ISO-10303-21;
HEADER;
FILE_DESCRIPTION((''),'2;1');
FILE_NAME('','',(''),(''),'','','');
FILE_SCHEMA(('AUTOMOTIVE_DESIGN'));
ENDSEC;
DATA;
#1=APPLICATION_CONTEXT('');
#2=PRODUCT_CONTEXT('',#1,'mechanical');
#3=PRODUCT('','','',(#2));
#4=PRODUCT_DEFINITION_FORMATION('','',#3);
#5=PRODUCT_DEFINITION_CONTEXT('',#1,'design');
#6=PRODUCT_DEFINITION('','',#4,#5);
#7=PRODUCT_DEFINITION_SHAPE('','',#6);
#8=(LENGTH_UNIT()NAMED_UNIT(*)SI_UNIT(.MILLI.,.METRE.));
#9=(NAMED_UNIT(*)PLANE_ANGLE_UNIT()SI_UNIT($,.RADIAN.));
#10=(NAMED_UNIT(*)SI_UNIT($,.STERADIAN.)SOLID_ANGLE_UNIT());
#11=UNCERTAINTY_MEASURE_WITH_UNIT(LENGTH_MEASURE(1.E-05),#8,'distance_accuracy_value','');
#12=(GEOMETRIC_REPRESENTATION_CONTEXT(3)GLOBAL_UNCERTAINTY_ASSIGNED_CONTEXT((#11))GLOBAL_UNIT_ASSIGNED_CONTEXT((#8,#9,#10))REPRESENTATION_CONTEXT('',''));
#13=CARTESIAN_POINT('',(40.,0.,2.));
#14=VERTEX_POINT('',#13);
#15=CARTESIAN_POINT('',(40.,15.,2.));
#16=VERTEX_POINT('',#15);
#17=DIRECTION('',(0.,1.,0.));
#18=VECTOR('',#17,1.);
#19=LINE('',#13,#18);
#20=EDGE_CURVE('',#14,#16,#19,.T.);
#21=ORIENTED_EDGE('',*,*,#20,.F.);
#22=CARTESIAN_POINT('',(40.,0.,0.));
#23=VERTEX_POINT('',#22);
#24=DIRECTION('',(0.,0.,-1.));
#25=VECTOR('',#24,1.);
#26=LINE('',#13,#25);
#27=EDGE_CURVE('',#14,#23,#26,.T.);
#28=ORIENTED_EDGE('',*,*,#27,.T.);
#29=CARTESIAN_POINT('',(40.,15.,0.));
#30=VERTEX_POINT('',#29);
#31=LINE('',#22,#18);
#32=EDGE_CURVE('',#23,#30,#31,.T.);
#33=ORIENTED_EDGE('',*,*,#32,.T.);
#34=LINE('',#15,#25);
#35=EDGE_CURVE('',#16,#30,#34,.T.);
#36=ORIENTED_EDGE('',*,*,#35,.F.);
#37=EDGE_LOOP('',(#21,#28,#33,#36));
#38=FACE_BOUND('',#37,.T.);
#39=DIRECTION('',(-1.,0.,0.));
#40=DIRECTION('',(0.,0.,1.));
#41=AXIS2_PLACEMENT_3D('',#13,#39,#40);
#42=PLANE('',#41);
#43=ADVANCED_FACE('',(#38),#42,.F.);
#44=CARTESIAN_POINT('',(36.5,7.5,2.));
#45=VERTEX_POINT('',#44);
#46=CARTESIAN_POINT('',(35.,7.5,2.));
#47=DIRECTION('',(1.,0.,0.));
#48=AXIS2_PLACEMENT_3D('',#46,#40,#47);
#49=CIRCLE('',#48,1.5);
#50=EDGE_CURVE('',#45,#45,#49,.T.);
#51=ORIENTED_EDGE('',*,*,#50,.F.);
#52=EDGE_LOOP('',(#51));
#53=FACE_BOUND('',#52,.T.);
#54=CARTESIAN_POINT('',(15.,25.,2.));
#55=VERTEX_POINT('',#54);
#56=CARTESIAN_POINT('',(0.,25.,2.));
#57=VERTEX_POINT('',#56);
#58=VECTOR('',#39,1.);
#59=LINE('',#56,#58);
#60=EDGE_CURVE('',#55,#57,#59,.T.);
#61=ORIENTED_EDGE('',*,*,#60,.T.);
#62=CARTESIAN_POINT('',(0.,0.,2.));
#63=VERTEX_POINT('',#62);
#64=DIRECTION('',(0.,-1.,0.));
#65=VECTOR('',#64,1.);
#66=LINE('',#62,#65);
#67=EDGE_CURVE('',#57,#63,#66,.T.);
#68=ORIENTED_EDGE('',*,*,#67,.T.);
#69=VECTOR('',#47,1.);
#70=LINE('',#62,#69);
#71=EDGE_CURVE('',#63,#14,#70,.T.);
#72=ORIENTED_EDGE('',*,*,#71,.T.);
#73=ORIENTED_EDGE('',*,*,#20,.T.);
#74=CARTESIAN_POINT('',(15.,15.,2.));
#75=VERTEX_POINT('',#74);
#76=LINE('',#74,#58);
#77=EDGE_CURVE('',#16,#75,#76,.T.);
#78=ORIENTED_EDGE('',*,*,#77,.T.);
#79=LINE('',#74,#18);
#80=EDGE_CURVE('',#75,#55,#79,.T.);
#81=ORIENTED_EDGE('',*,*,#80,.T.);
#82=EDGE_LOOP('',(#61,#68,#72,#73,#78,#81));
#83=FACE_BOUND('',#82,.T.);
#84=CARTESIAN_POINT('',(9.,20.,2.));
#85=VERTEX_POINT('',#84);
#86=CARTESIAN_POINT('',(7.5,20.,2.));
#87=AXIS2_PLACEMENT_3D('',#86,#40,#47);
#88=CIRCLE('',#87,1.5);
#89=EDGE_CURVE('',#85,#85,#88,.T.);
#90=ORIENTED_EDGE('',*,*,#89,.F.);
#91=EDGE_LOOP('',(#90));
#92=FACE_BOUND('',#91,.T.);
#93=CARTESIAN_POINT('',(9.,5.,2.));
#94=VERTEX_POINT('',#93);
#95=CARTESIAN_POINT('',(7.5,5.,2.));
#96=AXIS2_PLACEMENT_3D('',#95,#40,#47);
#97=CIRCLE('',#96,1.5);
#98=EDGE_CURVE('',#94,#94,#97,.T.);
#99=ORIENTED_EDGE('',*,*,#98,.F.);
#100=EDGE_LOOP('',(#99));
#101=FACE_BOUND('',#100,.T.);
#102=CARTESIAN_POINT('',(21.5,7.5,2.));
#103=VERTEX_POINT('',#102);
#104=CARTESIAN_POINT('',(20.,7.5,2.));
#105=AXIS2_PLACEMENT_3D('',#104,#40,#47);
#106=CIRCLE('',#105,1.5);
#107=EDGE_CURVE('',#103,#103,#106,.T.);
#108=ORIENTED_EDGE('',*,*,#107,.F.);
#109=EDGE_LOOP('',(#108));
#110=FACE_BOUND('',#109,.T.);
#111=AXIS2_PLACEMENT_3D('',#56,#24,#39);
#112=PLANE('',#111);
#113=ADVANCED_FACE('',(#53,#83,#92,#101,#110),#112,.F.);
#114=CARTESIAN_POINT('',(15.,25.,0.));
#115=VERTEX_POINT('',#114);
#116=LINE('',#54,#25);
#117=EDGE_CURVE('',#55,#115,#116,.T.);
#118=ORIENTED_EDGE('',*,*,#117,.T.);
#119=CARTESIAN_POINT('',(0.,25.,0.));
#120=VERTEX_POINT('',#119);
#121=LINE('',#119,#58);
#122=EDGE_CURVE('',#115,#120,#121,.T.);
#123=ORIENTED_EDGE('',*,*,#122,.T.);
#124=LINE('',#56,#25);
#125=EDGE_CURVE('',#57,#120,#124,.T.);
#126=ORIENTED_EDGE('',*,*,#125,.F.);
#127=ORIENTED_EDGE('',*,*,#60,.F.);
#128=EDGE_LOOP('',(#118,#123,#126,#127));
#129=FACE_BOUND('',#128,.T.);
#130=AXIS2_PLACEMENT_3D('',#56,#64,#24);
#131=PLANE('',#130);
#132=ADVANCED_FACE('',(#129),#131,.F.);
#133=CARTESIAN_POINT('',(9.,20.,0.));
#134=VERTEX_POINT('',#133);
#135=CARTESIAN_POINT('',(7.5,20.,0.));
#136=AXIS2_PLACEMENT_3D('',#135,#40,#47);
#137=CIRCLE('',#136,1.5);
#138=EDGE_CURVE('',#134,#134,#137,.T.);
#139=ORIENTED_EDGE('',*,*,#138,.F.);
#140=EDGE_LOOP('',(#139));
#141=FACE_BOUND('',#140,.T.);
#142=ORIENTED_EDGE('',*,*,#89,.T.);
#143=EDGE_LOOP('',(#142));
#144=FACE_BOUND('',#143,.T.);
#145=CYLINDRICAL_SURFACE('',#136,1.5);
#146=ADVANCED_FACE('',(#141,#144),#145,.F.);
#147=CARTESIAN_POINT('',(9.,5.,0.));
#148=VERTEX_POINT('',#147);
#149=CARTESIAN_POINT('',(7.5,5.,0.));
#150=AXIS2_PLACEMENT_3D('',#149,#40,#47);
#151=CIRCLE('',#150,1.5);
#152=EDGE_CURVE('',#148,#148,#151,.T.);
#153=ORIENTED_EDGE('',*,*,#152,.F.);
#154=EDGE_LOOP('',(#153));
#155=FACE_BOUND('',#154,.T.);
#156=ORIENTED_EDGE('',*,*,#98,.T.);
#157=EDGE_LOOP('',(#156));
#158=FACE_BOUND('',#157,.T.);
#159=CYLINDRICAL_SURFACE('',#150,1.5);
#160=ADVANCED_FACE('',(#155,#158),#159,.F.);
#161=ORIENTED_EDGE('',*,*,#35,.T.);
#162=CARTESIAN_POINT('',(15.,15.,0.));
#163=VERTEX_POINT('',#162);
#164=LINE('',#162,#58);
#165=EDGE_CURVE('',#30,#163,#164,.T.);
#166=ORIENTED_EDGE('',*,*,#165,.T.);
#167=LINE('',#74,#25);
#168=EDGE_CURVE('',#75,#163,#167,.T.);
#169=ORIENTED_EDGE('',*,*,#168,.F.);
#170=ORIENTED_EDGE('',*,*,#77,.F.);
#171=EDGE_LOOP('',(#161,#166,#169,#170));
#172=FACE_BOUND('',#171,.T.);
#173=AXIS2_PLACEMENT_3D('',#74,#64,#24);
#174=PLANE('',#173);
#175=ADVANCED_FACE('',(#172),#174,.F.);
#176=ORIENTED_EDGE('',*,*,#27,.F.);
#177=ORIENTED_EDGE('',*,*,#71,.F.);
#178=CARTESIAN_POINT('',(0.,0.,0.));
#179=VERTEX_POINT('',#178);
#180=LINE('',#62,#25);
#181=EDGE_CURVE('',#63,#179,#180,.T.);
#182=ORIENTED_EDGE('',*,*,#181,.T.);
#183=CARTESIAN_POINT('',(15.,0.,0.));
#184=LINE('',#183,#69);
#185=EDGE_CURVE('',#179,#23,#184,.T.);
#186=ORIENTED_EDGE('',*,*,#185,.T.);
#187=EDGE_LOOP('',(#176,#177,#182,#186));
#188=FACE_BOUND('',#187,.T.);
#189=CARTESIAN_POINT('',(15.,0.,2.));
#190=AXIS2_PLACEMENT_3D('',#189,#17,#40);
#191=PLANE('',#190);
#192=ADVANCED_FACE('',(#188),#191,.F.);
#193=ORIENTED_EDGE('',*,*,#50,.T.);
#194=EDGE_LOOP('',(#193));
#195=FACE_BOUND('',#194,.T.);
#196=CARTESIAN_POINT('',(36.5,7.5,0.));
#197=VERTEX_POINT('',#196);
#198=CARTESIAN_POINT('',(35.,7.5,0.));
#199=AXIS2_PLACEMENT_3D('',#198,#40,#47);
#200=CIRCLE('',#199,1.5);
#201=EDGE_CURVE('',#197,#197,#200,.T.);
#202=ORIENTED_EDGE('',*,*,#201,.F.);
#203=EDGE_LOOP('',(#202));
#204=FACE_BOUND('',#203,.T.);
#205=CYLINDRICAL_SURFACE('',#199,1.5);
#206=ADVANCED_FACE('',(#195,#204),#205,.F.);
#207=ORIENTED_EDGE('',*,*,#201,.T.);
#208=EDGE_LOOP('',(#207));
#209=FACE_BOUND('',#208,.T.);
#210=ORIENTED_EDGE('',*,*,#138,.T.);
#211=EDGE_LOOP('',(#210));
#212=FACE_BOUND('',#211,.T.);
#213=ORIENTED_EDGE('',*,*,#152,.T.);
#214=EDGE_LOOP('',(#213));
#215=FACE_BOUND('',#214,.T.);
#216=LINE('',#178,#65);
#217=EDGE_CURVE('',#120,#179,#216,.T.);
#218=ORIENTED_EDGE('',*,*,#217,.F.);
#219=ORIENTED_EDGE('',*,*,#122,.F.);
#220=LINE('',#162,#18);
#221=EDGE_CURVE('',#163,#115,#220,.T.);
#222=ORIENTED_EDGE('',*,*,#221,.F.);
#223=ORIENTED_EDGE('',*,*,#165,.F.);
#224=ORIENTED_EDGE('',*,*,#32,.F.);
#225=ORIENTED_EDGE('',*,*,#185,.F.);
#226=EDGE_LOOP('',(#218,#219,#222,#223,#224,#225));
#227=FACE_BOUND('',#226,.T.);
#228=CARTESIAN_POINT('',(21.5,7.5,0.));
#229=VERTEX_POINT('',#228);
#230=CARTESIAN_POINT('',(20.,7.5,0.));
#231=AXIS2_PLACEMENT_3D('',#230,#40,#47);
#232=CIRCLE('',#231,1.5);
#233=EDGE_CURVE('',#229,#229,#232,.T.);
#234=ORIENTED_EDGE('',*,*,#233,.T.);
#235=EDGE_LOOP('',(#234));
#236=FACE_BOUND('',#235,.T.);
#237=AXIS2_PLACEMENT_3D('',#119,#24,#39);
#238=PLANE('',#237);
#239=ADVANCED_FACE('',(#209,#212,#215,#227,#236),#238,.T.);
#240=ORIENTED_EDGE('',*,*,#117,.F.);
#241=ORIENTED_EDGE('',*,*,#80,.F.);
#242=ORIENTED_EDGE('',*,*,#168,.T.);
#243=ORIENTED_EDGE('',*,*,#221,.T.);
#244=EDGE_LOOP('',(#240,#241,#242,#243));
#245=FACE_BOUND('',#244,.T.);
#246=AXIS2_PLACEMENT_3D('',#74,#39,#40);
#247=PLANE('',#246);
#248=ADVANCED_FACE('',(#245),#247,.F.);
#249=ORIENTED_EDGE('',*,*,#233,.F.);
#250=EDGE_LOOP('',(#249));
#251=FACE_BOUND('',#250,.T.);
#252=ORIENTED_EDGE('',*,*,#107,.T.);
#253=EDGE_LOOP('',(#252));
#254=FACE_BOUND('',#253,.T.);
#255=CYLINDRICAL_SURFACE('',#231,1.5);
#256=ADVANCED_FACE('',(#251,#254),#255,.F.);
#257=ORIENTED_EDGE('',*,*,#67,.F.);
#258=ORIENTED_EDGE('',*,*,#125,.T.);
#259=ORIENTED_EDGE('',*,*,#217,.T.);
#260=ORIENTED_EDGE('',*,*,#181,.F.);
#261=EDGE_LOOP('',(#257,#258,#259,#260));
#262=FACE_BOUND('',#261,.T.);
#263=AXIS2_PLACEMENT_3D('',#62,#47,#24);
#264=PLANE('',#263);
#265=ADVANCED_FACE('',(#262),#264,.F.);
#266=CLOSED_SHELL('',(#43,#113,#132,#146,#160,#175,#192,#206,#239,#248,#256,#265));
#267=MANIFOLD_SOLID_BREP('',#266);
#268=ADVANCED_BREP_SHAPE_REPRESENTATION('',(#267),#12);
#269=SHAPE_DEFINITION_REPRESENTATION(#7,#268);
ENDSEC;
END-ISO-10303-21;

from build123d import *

# Parameters (mm, degrees)
EXTRUSION1_DEPTH = 2
ESQUISSE2_R      = 1.5
EXTRUSION2_DEPTH = 48.212286536


with BuildPart() as part:
    # Esquisse1 → Extrusion1 (new body)
    with BuildSketch(Plane.XY):
        Polygon((0, 0), (15, 0), (40, 0), (40, 15), (15, 15), (15, 25), (0, 25), align=None)
    extrude(amount=EXTRUSION1_DEPTH)

    # Esquisse2 → Extrusion2 (cut, through all)
    with BuildSketch(Plane.XY.offset(2)):
        with Locations((7.5, 20)):
            Circle(ESQUISSE2_R)
        with Locations((7.5, 5)):
            Circle(ESQUISSE2_R)
        with Locations((20, 7.5)):
            Circle(ESQUISSE2_R)
        with Locations((35, 7.5)):
            Circle(ESQUISSE2_R)
    extrude(amount=-EXTRUSION2_DEPTH, mode=Mode.SUBTRACT)


solid = part.part
